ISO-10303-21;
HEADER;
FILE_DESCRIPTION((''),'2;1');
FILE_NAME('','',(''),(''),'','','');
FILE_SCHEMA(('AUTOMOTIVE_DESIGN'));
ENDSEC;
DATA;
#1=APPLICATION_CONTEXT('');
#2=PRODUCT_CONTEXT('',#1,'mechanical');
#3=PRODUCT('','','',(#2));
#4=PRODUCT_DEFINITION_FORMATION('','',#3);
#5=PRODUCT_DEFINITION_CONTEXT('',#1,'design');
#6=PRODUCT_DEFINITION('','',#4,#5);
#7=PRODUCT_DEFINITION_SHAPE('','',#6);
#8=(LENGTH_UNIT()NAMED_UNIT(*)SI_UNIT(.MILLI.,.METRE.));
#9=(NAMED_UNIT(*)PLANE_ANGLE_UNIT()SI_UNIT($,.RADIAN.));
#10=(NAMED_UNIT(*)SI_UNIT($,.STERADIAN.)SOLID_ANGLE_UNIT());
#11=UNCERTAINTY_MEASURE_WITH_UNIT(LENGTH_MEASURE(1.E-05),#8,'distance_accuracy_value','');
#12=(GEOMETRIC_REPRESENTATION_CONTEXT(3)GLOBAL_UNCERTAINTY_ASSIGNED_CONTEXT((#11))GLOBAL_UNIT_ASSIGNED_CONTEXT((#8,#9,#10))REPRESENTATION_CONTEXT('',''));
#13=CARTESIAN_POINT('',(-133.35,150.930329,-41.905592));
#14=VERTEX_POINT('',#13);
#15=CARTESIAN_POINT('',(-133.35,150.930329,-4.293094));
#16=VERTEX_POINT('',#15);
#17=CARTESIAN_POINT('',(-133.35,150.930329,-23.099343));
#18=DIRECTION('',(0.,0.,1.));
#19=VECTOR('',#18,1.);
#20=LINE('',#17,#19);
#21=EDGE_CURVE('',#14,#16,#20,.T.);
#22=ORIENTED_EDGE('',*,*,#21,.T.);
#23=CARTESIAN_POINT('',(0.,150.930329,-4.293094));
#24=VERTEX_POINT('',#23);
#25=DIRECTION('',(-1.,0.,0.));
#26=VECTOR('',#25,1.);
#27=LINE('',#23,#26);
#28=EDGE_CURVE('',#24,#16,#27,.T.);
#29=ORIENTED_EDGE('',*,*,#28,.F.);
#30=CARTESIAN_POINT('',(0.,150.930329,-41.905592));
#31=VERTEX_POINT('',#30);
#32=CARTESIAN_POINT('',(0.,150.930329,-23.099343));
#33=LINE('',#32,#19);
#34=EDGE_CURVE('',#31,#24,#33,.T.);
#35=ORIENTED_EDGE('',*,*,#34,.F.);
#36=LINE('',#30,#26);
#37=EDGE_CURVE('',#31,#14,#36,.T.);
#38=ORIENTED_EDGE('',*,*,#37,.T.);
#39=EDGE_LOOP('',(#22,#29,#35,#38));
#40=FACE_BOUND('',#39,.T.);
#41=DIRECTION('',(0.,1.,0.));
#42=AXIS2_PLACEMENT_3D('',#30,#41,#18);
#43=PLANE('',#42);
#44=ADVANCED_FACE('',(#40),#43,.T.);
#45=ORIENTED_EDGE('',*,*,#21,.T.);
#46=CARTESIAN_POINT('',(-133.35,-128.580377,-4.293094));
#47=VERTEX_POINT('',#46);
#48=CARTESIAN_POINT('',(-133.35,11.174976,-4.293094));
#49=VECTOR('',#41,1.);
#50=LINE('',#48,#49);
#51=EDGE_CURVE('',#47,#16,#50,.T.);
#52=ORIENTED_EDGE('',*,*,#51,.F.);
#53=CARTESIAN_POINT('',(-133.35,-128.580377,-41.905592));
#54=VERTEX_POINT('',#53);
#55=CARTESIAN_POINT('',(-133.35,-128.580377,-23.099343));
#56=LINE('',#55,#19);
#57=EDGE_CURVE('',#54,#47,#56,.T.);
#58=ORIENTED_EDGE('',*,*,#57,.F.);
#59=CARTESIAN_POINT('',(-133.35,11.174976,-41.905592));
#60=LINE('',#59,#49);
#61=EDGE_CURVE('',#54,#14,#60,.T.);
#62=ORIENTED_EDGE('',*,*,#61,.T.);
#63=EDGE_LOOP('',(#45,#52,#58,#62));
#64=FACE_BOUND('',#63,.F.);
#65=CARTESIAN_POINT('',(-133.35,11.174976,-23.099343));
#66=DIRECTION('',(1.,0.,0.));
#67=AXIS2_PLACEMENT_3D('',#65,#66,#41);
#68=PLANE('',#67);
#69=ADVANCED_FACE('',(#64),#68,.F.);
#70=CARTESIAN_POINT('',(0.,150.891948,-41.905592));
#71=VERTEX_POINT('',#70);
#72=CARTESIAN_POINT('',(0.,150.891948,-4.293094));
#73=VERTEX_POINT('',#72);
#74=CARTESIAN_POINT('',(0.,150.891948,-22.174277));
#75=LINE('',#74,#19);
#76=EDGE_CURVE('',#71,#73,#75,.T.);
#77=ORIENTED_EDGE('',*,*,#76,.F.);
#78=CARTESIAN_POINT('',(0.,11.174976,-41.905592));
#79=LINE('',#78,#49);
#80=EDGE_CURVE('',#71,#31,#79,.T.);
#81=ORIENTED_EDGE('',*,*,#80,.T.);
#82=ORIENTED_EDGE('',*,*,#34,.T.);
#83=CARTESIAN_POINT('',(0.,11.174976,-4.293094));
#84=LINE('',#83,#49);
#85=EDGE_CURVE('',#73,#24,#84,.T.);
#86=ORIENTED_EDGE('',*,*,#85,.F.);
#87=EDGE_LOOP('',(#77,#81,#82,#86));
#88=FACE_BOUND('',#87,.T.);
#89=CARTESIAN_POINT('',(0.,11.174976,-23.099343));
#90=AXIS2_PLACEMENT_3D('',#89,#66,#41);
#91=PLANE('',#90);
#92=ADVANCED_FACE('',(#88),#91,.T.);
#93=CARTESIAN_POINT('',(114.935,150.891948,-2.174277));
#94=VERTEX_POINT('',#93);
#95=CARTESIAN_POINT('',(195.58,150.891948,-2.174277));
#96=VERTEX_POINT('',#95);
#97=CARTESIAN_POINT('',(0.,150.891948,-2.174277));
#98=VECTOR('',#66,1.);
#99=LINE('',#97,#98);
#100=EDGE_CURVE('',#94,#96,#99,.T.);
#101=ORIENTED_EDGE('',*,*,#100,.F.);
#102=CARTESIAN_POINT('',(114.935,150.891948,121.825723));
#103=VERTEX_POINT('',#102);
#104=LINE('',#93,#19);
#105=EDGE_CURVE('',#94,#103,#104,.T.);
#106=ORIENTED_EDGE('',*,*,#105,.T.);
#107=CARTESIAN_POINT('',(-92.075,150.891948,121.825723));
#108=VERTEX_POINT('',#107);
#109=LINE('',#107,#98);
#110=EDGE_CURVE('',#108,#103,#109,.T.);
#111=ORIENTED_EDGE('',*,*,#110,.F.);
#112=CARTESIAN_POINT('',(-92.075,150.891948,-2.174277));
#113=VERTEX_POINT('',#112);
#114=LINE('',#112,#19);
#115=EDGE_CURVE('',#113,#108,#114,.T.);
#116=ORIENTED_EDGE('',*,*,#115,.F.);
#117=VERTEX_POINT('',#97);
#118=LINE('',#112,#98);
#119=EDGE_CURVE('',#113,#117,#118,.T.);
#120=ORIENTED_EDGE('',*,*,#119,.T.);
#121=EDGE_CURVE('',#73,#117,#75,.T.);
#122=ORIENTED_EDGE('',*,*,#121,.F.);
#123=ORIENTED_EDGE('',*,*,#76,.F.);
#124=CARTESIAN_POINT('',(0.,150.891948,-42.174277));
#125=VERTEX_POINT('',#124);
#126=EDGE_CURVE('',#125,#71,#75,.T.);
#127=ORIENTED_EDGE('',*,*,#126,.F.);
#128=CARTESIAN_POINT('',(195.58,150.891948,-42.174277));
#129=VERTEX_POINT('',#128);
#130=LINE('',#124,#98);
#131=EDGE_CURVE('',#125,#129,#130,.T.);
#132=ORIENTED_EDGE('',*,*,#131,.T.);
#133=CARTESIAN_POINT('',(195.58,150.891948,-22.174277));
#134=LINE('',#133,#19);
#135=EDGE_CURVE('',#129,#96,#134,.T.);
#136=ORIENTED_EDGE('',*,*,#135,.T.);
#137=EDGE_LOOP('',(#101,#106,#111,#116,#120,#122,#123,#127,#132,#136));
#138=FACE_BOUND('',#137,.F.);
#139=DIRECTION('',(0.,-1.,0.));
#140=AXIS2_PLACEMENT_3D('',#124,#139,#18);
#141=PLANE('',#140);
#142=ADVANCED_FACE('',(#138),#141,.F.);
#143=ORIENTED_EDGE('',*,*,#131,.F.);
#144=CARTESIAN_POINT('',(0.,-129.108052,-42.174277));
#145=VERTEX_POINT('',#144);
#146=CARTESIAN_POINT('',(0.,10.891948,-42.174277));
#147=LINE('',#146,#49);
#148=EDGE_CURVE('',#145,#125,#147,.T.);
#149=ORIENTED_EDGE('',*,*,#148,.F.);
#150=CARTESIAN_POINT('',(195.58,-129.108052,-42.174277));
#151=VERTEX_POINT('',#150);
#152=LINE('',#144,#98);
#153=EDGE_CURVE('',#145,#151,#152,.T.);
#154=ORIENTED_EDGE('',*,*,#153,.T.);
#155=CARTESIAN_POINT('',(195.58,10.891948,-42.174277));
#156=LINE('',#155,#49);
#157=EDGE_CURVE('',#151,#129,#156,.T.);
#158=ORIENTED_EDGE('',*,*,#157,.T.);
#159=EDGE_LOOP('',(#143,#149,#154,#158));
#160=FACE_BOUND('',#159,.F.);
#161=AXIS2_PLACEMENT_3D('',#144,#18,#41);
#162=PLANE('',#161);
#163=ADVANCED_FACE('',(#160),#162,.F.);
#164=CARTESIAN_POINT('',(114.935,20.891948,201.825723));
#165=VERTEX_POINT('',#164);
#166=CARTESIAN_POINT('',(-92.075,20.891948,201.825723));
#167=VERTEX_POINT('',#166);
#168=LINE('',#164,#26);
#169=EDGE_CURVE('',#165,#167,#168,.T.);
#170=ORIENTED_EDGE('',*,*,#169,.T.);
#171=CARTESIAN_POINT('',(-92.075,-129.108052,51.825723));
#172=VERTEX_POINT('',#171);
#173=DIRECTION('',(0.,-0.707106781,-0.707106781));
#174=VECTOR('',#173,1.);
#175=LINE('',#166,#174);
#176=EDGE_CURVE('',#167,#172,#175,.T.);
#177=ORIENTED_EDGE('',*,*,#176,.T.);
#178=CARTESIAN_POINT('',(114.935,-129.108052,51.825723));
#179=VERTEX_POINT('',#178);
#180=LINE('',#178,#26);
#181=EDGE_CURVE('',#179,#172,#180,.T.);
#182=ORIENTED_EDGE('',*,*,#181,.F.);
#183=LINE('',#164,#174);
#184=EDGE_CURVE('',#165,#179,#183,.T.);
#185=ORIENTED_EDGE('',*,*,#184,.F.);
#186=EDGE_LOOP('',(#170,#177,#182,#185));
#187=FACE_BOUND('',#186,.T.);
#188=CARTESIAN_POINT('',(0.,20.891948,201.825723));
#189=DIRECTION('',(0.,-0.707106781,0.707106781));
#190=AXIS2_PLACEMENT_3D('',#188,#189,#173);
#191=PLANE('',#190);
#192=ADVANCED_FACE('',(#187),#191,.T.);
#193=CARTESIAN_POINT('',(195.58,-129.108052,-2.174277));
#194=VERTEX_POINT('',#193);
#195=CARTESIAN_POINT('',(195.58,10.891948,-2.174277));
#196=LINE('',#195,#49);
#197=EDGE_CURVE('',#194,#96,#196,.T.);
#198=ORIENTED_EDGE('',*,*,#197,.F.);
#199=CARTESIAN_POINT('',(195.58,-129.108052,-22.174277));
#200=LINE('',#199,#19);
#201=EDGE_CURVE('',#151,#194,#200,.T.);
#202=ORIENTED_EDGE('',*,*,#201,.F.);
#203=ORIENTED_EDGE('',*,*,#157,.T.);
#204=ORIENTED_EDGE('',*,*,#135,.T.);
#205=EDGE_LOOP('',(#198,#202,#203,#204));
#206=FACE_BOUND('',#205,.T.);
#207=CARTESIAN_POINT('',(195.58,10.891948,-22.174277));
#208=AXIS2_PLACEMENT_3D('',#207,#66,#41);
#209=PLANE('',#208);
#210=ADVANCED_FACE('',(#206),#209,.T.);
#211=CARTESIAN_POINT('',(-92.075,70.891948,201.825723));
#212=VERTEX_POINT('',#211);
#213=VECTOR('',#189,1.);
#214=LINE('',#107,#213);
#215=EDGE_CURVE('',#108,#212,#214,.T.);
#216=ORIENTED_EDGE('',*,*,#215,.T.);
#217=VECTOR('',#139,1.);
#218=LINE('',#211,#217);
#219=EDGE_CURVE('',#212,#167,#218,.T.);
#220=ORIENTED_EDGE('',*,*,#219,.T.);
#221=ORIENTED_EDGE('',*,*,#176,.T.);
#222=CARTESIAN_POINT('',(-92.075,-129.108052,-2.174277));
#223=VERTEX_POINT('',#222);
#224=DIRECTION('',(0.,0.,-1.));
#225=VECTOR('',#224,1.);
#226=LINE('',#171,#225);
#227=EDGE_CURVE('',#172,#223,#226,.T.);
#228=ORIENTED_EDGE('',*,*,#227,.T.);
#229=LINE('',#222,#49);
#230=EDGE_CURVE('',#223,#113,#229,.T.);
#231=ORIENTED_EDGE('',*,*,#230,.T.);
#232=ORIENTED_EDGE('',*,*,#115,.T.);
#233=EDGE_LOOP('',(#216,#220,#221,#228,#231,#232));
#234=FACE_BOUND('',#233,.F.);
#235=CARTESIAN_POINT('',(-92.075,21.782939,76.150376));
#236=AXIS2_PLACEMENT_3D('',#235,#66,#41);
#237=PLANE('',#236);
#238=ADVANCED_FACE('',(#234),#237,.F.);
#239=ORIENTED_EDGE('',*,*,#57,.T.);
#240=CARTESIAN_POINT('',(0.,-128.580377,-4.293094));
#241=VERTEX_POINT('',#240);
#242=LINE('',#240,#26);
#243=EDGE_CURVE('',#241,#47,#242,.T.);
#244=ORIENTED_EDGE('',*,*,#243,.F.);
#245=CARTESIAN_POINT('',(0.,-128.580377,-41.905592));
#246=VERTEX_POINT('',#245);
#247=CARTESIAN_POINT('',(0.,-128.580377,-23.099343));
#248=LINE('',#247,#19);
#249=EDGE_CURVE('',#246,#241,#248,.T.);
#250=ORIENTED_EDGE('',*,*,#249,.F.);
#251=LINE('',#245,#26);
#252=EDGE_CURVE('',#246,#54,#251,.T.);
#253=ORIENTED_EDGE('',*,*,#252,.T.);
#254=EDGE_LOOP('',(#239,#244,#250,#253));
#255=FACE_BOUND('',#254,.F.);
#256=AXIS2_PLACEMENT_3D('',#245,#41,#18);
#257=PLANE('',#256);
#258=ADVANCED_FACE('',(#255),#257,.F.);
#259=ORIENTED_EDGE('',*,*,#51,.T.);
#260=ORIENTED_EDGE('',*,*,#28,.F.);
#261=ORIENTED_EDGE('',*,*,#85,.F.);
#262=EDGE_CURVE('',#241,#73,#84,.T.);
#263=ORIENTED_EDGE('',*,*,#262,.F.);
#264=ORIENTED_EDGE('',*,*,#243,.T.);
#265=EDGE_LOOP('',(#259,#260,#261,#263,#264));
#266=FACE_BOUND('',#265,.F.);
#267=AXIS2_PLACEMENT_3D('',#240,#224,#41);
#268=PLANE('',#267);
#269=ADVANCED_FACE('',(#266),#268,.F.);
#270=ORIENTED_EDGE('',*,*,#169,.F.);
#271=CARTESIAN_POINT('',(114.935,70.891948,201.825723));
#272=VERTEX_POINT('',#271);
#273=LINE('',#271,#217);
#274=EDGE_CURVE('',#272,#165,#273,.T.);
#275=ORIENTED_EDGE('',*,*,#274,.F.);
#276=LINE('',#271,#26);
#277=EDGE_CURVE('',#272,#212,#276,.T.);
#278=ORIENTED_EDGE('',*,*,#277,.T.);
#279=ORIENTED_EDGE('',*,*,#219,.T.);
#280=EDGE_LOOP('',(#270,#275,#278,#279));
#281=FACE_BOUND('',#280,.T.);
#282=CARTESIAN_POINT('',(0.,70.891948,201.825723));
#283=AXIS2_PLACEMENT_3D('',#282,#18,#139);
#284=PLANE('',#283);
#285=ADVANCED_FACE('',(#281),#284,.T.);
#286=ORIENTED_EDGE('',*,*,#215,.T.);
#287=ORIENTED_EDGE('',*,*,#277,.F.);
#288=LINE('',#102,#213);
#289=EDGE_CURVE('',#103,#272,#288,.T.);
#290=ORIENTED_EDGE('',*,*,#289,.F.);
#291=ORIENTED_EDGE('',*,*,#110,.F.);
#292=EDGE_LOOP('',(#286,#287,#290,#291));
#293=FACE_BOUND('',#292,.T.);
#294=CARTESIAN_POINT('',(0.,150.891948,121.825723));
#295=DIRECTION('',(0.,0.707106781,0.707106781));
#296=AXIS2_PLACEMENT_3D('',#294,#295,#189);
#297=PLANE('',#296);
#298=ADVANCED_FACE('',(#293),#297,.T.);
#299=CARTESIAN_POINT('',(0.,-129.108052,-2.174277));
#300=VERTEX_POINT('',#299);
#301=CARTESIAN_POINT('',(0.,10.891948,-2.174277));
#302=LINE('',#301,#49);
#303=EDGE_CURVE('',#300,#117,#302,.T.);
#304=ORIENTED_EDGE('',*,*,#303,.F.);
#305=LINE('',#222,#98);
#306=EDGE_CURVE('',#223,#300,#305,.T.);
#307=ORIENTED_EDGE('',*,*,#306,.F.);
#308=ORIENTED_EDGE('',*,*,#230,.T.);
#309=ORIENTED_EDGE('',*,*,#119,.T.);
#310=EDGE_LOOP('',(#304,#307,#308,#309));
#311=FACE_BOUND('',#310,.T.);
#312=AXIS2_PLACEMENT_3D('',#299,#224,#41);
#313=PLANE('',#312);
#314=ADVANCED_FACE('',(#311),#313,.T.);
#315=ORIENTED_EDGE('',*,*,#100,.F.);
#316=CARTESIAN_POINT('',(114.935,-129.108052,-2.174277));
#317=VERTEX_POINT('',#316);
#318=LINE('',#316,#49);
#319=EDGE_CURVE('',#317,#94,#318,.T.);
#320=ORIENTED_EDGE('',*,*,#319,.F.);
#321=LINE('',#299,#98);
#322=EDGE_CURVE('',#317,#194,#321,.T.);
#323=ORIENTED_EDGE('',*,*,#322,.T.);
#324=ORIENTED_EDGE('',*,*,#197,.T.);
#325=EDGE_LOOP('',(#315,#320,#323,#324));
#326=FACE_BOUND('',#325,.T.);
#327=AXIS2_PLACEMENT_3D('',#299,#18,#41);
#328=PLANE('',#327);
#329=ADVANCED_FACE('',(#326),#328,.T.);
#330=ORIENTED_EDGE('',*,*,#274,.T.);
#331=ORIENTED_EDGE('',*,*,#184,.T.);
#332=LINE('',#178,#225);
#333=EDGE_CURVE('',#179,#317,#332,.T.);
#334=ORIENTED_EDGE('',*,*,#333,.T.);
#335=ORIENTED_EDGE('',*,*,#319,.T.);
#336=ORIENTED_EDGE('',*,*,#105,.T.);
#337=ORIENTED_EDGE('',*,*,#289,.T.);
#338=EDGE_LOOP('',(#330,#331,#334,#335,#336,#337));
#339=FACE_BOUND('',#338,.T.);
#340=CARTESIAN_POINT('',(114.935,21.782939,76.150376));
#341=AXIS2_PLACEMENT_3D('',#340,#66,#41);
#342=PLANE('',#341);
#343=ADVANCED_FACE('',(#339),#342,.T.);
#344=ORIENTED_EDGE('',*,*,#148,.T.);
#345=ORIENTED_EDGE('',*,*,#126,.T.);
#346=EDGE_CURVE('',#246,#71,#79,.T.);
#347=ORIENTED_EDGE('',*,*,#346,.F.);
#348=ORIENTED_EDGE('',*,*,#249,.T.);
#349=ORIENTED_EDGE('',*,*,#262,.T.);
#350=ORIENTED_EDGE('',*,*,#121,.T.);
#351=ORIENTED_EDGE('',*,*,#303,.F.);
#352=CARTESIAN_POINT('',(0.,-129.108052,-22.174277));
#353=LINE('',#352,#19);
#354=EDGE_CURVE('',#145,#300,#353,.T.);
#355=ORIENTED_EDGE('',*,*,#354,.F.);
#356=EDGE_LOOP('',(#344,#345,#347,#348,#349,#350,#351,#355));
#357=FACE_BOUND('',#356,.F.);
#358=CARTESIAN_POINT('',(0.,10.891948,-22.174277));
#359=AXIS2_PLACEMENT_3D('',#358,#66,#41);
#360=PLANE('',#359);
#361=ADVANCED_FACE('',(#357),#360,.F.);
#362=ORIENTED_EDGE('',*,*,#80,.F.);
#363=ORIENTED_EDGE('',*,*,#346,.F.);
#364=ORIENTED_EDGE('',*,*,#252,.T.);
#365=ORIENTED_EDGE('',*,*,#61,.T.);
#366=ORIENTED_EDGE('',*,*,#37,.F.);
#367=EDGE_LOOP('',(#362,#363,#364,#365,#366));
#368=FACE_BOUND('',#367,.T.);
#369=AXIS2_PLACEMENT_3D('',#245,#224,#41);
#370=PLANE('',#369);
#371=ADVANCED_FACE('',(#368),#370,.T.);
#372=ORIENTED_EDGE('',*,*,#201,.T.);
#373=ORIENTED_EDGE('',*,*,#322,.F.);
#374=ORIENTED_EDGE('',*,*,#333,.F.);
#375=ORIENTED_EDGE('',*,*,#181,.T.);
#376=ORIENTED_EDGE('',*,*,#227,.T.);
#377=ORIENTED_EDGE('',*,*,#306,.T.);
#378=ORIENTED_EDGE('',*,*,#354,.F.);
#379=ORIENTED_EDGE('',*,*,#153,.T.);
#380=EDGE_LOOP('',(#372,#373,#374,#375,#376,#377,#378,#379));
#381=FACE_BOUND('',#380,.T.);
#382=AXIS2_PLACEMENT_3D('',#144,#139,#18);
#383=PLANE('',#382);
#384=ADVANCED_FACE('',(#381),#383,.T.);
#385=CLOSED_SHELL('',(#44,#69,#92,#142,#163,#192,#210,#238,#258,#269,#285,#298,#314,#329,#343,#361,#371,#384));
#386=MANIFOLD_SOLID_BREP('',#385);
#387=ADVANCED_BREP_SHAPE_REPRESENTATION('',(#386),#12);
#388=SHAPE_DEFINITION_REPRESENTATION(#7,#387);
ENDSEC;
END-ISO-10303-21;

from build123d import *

# Parameters (mm, degrees)
F1_DEPTH = 114.935
F3_DEPTH = 92.075
F0_W     = 280
F0_H     = 40
F4_DEPTH = 195.58
F2_W     = 279.510707
F2_H     = 37.612499
F5_DEPTH = 133.35


with BuildPart() as f1:
    # F0 (on Right) → F1 (new body)
    with BuildSketch(Plane.YZ):
        Polygon((-129.108052, 51.825723), (-129.108052, -2.174277), (150.891948, -2.174277), (150.891948, 121.825723), (70.891948, 201.825723), (20.891948, 201.825723), align=None)
    extrude(amount=F1_DEPTH)

    # F0 (on Right) → F3 (join)
    with BuildSketch(Plane.YZ):
        Polygon((-129.108052, 51.825723), (-129.108052, -2.174277), (150.891948, -2.174277), (150.891948, 121.825723), (70.891948, 201.825723), (20.891948, 201.825723), align=None)
    extrude(amount=-F3_DEPTH)

    # F0 (on Right) → F4 (join)
    with BuildSketch(Plane.YZ):
        with Locations((10.891948, -22.174277)):
            Rectangle(F0_W, F0_H)
    extrude(amount=F4_DEPTH)

    # F2 (on Right) → F5 (join)
    with BuildSketch(Plane.YZ):
        with Locations((11.174976, -23.099343)):
            Rectangle(F2_W, F2_H)
    extrude(amount=-F5_DEPTH)


solid = f1.part
